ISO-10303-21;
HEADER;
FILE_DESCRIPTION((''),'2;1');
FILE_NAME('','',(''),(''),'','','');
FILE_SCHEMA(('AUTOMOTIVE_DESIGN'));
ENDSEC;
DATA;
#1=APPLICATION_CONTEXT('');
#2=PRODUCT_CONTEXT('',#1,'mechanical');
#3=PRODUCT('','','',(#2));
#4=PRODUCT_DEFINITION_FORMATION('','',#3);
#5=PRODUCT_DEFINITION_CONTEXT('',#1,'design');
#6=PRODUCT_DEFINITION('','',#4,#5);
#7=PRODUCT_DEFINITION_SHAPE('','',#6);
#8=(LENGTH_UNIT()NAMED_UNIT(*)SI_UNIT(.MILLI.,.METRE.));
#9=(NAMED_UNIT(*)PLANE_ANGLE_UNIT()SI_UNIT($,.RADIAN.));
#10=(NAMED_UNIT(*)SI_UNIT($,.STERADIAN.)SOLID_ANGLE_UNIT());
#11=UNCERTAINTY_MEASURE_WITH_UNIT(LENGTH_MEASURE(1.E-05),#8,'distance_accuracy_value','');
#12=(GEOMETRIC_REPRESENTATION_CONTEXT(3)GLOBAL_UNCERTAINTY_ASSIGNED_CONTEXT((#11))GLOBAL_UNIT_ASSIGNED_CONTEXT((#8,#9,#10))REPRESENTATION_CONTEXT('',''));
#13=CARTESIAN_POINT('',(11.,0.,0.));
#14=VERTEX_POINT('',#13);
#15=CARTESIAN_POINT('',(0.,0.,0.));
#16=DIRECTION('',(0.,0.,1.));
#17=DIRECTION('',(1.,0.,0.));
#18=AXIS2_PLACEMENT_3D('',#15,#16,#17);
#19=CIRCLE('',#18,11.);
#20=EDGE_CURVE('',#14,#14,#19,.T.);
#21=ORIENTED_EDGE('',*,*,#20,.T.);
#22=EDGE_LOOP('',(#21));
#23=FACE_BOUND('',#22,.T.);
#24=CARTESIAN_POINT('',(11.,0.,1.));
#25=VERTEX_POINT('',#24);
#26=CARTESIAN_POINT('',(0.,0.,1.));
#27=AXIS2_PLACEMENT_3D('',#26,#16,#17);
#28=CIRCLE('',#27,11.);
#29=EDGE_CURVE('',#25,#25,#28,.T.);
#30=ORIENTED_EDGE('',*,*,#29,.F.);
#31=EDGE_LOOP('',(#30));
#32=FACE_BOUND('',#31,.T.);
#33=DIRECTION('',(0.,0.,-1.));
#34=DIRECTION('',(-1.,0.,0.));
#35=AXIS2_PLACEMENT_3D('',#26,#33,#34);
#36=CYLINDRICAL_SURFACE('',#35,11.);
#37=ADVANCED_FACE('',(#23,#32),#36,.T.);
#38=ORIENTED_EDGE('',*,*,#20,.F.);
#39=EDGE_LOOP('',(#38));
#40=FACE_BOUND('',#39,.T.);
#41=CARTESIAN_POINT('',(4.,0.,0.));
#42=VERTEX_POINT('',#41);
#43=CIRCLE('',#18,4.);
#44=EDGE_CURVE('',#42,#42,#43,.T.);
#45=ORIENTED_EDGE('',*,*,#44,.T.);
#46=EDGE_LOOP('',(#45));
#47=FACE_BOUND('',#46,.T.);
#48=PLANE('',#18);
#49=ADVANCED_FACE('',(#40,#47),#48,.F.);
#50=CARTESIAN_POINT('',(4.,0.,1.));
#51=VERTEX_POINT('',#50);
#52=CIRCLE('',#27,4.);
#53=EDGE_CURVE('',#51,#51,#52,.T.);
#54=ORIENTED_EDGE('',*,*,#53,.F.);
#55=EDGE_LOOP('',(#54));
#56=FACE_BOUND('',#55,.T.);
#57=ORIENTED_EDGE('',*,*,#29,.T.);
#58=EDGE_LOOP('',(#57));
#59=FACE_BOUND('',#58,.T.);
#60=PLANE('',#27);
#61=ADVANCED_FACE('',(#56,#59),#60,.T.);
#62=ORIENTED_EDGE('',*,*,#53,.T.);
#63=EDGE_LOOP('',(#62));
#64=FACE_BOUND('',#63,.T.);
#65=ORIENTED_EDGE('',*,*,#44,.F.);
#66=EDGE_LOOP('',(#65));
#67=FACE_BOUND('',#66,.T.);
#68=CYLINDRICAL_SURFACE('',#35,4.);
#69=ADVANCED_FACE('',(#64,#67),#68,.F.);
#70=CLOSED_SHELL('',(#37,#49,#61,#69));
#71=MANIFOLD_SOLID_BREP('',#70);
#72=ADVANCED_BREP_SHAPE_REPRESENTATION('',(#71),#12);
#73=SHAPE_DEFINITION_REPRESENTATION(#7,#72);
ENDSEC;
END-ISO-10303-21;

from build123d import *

# Parameters (mm, degrees)
ESQUISSE1_R      = 11
ESQUISSE1_R_2    = 4
EXTRUSION1_DEPTH = 1


with BuildPart() as part:
    # Esquisse1 → Extrusion1 (new body)
    with BuildSketch(Plane.XY):
        Circle(ESQUISSE1_R)
        Circle(ESQUISSE1_R_2, mode=Mode.SUBTRACT)
    extrude(amount=EXTRUSION1_DEPTH)


solid = part.part
